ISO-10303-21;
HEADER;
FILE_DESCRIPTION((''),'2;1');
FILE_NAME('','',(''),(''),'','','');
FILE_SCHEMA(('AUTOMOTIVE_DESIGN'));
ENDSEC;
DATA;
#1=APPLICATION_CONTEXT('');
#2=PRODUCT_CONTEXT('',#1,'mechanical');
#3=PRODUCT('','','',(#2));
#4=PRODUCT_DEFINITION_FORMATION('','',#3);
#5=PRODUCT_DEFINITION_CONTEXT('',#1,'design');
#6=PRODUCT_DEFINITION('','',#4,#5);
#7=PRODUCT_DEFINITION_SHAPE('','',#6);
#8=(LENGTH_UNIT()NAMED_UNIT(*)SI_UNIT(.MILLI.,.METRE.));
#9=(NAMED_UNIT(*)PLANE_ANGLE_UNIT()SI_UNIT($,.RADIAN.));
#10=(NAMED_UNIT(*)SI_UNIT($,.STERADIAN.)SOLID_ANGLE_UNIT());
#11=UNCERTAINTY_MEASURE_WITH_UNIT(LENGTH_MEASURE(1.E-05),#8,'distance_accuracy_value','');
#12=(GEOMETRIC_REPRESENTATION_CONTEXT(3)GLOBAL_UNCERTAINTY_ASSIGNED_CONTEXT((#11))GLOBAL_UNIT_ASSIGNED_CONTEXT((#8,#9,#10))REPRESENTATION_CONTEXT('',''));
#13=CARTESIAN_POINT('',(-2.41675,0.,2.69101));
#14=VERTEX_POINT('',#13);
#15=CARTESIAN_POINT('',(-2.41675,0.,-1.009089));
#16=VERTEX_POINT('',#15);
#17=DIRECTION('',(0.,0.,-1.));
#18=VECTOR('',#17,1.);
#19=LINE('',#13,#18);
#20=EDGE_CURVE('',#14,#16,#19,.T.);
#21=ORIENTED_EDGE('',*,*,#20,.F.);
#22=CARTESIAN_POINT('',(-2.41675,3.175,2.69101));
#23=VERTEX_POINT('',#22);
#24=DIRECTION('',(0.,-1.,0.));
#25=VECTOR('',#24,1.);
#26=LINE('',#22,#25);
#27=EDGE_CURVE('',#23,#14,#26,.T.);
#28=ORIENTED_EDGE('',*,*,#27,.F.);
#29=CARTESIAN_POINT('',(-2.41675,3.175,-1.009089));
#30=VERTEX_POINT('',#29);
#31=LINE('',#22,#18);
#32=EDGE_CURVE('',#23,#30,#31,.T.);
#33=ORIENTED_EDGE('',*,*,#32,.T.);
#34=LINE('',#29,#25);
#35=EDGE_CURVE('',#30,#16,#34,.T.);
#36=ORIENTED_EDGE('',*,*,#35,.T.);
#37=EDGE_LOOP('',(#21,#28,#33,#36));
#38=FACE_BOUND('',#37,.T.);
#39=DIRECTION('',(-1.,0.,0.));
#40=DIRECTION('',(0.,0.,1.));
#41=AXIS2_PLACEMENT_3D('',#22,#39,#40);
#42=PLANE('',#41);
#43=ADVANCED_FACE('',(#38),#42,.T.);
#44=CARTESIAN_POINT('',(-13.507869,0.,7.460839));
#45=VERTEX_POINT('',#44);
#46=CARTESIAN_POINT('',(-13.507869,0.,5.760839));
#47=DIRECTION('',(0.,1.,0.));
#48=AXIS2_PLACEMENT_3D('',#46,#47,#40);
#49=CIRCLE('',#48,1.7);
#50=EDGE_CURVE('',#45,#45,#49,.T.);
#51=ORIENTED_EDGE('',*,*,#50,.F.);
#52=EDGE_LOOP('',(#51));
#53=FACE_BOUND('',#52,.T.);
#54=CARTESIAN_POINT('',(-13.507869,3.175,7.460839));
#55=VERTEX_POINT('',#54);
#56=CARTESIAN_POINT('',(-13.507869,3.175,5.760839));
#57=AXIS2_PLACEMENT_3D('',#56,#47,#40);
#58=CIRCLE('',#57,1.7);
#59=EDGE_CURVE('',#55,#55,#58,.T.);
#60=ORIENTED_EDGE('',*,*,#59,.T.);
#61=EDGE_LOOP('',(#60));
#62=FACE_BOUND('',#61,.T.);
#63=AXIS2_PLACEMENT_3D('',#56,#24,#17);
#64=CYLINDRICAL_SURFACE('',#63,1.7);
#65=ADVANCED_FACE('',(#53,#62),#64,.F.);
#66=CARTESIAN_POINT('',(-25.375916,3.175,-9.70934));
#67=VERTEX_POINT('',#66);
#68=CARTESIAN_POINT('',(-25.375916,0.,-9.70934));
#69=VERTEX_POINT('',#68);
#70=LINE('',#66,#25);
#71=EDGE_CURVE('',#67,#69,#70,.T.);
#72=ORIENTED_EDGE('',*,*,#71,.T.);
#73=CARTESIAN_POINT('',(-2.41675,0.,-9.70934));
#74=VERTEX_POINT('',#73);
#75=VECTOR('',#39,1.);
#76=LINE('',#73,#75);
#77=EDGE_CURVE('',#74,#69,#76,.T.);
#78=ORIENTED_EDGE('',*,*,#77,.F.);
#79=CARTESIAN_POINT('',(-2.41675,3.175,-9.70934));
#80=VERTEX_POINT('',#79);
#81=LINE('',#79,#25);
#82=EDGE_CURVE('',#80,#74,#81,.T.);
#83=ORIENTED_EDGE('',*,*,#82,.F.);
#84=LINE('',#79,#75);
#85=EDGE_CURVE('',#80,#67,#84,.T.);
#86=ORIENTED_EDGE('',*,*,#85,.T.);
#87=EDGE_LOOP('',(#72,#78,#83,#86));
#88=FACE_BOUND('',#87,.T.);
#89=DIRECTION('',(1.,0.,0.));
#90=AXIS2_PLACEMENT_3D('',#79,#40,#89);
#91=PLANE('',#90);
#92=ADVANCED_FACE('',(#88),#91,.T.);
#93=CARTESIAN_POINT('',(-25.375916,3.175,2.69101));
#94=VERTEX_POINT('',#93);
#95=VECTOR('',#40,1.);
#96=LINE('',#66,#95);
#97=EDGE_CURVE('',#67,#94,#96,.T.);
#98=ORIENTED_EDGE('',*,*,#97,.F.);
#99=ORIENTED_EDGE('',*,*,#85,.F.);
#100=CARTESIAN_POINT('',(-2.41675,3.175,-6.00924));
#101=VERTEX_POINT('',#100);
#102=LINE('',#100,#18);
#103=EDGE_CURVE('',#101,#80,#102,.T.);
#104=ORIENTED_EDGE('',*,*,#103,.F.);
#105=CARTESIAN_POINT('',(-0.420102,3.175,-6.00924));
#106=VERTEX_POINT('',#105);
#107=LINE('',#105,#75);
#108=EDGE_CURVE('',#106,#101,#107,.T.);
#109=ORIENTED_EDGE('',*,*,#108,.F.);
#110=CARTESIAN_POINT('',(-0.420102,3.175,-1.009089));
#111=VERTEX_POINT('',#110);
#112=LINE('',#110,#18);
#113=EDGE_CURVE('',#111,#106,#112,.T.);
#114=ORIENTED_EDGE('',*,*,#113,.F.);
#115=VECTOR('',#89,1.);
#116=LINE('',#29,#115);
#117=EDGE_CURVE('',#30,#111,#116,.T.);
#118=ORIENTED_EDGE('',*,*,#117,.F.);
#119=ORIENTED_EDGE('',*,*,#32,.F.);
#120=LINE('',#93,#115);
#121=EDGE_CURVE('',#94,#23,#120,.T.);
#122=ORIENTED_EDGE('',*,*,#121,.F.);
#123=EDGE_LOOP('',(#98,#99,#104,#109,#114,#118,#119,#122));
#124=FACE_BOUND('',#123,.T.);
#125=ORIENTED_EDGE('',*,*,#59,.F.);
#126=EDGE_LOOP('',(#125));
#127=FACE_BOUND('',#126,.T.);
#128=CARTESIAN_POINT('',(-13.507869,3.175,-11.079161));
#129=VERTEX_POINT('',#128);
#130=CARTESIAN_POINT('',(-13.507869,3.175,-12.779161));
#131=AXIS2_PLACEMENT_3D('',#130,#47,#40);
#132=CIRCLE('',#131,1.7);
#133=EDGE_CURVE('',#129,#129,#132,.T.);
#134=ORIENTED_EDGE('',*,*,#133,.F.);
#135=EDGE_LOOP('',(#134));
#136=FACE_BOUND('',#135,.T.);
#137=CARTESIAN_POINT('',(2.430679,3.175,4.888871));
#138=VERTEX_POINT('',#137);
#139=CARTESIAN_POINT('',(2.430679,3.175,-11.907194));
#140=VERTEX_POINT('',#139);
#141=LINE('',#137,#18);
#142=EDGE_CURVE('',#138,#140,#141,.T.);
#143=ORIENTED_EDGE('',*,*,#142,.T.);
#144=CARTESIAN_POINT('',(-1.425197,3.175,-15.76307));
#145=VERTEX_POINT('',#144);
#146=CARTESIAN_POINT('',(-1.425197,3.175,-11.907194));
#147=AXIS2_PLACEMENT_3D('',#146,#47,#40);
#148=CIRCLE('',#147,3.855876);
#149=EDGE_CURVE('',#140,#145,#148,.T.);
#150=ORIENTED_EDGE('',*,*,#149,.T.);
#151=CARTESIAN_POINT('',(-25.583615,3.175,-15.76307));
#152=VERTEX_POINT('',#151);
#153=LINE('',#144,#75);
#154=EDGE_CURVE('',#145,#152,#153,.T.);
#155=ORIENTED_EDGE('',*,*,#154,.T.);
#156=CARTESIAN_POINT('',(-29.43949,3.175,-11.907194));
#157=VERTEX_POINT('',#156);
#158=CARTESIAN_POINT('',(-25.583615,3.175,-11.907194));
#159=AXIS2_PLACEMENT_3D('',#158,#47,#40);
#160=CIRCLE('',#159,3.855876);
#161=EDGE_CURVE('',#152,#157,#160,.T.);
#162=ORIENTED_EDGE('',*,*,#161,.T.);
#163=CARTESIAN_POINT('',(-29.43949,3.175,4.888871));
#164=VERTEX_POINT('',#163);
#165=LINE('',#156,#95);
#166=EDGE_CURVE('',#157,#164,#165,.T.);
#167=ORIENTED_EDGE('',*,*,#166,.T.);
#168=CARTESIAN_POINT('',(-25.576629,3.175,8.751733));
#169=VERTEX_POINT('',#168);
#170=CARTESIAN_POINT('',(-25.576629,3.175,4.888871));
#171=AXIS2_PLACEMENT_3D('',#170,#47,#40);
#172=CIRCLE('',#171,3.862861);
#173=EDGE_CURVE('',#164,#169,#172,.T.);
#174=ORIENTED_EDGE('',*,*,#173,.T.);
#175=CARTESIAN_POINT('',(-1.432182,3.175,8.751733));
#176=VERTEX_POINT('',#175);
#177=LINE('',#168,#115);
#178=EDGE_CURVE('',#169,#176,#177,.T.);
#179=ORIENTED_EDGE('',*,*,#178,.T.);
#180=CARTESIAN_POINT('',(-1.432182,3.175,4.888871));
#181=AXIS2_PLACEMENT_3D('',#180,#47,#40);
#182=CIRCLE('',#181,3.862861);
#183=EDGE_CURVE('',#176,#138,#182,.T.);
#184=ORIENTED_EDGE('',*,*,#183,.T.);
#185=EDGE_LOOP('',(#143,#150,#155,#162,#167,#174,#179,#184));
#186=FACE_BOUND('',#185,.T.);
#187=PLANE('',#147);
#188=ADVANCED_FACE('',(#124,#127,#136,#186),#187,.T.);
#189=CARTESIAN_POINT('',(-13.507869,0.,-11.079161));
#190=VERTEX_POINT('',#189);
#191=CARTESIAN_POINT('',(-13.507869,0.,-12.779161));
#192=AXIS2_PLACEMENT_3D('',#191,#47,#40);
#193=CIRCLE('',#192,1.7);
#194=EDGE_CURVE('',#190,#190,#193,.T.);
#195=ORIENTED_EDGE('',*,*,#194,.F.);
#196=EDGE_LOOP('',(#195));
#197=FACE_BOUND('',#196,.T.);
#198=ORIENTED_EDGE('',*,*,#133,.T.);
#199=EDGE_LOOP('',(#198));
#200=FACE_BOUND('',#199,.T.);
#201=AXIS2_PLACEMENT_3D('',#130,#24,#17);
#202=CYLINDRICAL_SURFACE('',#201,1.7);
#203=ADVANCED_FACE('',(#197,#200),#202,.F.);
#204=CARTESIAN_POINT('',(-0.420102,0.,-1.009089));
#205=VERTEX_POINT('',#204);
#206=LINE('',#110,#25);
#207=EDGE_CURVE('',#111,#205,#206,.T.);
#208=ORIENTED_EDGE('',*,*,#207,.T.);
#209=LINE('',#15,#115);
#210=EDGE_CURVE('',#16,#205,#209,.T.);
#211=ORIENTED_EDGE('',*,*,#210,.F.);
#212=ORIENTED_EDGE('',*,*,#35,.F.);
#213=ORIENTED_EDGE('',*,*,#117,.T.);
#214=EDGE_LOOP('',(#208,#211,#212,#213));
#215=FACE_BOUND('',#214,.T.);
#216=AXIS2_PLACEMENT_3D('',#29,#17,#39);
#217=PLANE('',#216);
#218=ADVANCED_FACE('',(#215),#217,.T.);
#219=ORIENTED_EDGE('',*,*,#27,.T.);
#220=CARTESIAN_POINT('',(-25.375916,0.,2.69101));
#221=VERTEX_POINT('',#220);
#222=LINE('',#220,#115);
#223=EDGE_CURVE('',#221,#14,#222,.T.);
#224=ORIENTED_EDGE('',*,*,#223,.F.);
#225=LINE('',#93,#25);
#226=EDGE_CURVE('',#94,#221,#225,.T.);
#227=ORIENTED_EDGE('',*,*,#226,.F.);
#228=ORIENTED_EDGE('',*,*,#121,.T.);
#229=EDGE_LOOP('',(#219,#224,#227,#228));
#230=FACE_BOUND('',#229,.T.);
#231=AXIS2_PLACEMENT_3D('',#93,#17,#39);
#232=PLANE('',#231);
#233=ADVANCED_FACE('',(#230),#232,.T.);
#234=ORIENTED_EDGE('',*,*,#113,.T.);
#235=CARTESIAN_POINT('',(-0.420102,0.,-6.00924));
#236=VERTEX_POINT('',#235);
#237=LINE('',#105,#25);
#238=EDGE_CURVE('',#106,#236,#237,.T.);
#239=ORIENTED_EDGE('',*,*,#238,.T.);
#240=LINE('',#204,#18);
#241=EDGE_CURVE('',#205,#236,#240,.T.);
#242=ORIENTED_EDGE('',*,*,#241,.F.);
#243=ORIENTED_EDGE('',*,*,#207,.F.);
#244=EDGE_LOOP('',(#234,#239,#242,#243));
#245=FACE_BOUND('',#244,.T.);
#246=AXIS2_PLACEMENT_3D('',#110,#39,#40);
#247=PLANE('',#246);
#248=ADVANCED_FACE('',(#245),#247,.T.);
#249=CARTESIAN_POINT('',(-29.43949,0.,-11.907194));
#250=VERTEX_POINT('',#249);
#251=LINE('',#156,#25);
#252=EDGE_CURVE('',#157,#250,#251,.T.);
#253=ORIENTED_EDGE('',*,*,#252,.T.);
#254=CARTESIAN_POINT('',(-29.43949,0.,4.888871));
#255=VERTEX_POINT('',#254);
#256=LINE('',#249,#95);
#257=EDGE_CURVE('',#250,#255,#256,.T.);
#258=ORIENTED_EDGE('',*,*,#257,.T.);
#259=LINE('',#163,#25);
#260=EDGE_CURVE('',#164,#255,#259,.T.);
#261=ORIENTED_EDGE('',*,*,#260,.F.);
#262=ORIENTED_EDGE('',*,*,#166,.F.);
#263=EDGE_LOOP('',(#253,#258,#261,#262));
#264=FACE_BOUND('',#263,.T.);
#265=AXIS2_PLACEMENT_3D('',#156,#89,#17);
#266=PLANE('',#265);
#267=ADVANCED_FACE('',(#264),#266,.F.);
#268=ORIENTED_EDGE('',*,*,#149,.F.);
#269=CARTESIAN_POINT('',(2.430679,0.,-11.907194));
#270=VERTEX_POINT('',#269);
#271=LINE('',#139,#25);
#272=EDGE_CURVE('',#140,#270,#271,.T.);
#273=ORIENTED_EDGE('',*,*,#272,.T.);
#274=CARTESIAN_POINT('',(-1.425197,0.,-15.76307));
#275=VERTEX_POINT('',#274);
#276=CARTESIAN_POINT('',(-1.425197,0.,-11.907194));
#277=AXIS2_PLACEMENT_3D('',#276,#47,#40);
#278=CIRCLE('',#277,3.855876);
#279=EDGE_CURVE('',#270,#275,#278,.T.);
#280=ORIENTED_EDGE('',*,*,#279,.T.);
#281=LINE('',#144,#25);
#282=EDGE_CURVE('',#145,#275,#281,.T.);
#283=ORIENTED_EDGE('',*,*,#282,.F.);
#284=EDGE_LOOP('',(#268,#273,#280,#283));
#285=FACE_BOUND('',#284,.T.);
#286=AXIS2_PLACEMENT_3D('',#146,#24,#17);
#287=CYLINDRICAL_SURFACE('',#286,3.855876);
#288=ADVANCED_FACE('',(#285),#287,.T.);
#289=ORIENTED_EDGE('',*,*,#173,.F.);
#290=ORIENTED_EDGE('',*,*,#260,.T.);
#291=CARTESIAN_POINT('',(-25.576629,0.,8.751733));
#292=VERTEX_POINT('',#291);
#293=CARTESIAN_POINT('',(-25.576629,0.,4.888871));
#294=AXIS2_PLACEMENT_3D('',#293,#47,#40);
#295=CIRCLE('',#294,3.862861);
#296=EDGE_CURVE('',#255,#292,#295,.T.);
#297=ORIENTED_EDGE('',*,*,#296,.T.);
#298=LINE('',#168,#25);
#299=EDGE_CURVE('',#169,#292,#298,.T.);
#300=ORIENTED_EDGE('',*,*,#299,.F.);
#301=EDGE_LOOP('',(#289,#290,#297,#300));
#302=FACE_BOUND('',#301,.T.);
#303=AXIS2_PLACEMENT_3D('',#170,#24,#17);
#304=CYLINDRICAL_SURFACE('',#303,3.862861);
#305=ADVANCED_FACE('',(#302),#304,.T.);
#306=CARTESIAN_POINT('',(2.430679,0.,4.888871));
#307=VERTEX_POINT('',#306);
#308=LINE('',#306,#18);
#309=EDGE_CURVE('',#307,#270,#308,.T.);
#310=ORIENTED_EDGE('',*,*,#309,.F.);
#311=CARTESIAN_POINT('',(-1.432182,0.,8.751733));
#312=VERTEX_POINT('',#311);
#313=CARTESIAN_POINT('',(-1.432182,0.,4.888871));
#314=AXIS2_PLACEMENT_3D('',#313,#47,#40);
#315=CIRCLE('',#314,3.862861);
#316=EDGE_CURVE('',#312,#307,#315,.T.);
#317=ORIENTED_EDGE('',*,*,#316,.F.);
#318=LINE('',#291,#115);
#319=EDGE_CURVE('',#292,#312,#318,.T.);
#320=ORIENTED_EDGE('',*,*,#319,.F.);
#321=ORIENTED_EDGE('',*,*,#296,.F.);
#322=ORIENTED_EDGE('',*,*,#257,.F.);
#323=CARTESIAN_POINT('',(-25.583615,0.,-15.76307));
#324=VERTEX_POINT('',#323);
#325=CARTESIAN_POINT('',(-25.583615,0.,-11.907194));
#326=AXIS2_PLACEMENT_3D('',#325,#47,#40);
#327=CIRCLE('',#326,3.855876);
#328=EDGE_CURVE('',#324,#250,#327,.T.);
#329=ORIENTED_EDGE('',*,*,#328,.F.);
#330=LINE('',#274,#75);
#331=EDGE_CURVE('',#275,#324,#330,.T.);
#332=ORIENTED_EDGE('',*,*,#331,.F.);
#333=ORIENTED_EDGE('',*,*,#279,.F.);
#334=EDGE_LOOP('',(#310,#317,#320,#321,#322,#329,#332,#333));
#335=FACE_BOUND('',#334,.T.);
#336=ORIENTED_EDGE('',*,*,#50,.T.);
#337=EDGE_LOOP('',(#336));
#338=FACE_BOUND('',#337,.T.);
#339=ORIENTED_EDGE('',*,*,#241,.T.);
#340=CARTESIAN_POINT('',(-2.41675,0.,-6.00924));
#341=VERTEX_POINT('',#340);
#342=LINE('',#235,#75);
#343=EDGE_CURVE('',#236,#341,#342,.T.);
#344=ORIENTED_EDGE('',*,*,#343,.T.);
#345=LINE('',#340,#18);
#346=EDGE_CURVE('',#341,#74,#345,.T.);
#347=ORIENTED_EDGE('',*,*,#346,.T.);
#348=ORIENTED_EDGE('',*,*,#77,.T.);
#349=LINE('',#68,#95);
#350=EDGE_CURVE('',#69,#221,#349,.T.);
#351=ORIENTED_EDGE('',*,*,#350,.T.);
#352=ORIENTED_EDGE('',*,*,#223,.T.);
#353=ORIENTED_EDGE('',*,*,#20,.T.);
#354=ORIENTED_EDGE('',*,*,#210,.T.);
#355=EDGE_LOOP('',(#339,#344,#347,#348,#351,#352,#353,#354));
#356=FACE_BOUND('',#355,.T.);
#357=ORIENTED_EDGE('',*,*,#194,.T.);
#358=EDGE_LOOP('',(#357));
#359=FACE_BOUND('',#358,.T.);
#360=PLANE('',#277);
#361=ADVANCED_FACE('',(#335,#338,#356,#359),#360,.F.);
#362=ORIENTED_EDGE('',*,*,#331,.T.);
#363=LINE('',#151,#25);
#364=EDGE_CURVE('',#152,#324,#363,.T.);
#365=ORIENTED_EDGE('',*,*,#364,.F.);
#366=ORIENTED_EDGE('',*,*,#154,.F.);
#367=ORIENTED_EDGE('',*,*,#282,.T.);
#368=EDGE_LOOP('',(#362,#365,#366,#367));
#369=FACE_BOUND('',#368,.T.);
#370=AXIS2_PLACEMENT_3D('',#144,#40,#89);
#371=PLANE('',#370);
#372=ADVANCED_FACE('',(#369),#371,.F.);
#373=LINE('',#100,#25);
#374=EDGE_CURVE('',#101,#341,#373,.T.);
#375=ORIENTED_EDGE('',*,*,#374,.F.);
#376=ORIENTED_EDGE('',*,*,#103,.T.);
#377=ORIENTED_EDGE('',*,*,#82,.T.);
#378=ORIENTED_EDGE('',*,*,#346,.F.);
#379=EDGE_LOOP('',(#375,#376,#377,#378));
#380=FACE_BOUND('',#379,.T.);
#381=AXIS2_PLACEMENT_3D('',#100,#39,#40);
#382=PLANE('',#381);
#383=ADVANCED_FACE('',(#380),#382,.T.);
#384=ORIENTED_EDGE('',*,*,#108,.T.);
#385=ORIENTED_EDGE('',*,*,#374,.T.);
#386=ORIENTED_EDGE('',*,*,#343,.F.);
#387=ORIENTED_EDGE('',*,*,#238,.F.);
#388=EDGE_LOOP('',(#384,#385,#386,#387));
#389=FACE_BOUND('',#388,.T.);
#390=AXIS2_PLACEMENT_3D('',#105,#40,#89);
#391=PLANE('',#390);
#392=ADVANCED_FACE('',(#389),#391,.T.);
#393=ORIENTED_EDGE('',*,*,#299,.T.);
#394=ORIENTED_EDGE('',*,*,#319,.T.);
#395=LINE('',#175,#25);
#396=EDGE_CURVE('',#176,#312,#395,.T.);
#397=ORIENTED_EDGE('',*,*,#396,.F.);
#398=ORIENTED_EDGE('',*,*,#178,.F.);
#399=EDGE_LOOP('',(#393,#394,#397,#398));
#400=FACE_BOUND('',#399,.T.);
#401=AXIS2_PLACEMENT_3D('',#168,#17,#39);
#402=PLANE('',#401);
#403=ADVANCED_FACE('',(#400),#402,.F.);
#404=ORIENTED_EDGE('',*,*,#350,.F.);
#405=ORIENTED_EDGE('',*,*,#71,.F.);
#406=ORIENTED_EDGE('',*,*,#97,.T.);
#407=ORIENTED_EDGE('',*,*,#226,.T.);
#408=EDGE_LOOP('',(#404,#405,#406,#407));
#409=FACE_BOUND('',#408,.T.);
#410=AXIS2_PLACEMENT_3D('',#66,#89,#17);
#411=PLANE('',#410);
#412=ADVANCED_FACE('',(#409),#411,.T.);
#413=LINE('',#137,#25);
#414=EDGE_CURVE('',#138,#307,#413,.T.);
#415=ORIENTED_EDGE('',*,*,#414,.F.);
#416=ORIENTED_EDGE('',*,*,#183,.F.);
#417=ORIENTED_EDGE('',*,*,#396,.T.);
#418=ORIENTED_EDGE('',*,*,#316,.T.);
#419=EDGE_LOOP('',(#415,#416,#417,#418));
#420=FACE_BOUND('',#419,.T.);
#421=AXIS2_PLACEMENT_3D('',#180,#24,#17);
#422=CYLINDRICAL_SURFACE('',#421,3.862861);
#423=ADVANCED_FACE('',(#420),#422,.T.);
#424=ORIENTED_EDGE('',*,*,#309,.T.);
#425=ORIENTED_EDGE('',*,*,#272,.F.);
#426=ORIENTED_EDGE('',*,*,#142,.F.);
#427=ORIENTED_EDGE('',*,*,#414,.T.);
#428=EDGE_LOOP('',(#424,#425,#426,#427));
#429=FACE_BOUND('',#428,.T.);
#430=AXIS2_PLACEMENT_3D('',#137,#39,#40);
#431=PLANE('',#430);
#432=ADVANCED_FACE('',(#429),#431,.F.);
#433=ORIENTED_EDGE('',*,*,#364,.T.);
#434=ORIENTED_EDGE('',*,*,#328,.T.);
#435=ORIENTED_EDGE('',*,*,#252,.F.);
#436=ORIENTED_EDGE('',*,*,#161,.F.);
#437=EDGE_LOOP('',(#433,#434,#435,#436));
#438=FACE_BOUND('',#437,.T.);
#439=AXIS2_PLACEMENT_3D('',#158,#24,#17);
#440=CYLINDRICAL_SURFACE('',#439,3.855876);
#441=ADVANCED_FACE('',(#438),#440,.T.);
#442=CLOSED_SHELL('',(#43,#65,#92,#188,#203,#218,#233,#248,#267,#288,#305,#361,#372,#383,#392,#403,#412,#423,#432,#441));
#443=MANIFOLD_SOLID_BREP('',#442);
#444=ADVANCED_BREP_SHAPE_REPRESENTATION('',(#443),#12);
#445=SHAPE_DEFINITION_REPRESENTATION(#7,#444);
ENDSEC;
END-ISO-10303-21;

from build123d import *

# Parameters (mm, degrees)
SKETCH1_R           = 1.700000029
BOSS_EXTRUDE1_DEPTH = 3.175


with BuildPart() as part:
    # Sketch1 → Boss-Extrude1 (new body)
    with BuildSketch(Plane(origin=(0, 0, 0), x_dir=(1, 0, 0), z_dir=(0, 1, 0))):
        with BuildLine():
            Line((-1.425196706, 15.763070025), (-25.583614521, 15.763070025))
            ThreePointArc((-25.583614521, 15.763070025), (-28.310130326, 14.633710201), (-29.439490151, 11.907194396))
            Line((-29.439490151, 11.907194396), (-29.439490151, -4.88887146))
            ThreePointArc((-29.439490151, -4.88887146), (-28.308084251, -7.620326926), (-25.576628785, -8.751732825))
            Line((-25.576628785, -8.751732825), (-1.432182442, -8.751732825))
            ThreePointArc((-1.432182442, -8.751732825), (1.299273025, -7.620326926), (2.430678924, -4.88887146))
            Line((2.430678924, -4.88887146), (2.430678924, 11.907194396))
            ThreePointArc((2.430678924, 11.907194396), (1.301319099, 14.633710201), (-1.425196706, 15.763070025))
        make_face()
        with Locations(Location((-13.507869129, 12.77916147, 0), (0, 0, 270))):
            Circle(SKETCH1_R, mode=Mode.SUBTRACT)
        with Locations(Location((-13.507869129, -5.760838534, 0), (0, 0, 270))):
            Circle(SKETCH1_R, mode=Mode.SUBTRACT)
        Polygon((-2.416750389, 9.709339568), (-25.375916231, 9.709339568), (-25.375916231, -2.691010202), (-2.416750389, -2.691010202), (-2.416750389, 1.009089439), (-0.420102398, 1.009089439), (-0.420102398, 6.009239927), (-2.416750389, 6.009239927), align=None, mode=Mode.SUBTRACT)
    extrude(amount=BOSS_EXTRUDE1_DEPTH)


solid = part.part
